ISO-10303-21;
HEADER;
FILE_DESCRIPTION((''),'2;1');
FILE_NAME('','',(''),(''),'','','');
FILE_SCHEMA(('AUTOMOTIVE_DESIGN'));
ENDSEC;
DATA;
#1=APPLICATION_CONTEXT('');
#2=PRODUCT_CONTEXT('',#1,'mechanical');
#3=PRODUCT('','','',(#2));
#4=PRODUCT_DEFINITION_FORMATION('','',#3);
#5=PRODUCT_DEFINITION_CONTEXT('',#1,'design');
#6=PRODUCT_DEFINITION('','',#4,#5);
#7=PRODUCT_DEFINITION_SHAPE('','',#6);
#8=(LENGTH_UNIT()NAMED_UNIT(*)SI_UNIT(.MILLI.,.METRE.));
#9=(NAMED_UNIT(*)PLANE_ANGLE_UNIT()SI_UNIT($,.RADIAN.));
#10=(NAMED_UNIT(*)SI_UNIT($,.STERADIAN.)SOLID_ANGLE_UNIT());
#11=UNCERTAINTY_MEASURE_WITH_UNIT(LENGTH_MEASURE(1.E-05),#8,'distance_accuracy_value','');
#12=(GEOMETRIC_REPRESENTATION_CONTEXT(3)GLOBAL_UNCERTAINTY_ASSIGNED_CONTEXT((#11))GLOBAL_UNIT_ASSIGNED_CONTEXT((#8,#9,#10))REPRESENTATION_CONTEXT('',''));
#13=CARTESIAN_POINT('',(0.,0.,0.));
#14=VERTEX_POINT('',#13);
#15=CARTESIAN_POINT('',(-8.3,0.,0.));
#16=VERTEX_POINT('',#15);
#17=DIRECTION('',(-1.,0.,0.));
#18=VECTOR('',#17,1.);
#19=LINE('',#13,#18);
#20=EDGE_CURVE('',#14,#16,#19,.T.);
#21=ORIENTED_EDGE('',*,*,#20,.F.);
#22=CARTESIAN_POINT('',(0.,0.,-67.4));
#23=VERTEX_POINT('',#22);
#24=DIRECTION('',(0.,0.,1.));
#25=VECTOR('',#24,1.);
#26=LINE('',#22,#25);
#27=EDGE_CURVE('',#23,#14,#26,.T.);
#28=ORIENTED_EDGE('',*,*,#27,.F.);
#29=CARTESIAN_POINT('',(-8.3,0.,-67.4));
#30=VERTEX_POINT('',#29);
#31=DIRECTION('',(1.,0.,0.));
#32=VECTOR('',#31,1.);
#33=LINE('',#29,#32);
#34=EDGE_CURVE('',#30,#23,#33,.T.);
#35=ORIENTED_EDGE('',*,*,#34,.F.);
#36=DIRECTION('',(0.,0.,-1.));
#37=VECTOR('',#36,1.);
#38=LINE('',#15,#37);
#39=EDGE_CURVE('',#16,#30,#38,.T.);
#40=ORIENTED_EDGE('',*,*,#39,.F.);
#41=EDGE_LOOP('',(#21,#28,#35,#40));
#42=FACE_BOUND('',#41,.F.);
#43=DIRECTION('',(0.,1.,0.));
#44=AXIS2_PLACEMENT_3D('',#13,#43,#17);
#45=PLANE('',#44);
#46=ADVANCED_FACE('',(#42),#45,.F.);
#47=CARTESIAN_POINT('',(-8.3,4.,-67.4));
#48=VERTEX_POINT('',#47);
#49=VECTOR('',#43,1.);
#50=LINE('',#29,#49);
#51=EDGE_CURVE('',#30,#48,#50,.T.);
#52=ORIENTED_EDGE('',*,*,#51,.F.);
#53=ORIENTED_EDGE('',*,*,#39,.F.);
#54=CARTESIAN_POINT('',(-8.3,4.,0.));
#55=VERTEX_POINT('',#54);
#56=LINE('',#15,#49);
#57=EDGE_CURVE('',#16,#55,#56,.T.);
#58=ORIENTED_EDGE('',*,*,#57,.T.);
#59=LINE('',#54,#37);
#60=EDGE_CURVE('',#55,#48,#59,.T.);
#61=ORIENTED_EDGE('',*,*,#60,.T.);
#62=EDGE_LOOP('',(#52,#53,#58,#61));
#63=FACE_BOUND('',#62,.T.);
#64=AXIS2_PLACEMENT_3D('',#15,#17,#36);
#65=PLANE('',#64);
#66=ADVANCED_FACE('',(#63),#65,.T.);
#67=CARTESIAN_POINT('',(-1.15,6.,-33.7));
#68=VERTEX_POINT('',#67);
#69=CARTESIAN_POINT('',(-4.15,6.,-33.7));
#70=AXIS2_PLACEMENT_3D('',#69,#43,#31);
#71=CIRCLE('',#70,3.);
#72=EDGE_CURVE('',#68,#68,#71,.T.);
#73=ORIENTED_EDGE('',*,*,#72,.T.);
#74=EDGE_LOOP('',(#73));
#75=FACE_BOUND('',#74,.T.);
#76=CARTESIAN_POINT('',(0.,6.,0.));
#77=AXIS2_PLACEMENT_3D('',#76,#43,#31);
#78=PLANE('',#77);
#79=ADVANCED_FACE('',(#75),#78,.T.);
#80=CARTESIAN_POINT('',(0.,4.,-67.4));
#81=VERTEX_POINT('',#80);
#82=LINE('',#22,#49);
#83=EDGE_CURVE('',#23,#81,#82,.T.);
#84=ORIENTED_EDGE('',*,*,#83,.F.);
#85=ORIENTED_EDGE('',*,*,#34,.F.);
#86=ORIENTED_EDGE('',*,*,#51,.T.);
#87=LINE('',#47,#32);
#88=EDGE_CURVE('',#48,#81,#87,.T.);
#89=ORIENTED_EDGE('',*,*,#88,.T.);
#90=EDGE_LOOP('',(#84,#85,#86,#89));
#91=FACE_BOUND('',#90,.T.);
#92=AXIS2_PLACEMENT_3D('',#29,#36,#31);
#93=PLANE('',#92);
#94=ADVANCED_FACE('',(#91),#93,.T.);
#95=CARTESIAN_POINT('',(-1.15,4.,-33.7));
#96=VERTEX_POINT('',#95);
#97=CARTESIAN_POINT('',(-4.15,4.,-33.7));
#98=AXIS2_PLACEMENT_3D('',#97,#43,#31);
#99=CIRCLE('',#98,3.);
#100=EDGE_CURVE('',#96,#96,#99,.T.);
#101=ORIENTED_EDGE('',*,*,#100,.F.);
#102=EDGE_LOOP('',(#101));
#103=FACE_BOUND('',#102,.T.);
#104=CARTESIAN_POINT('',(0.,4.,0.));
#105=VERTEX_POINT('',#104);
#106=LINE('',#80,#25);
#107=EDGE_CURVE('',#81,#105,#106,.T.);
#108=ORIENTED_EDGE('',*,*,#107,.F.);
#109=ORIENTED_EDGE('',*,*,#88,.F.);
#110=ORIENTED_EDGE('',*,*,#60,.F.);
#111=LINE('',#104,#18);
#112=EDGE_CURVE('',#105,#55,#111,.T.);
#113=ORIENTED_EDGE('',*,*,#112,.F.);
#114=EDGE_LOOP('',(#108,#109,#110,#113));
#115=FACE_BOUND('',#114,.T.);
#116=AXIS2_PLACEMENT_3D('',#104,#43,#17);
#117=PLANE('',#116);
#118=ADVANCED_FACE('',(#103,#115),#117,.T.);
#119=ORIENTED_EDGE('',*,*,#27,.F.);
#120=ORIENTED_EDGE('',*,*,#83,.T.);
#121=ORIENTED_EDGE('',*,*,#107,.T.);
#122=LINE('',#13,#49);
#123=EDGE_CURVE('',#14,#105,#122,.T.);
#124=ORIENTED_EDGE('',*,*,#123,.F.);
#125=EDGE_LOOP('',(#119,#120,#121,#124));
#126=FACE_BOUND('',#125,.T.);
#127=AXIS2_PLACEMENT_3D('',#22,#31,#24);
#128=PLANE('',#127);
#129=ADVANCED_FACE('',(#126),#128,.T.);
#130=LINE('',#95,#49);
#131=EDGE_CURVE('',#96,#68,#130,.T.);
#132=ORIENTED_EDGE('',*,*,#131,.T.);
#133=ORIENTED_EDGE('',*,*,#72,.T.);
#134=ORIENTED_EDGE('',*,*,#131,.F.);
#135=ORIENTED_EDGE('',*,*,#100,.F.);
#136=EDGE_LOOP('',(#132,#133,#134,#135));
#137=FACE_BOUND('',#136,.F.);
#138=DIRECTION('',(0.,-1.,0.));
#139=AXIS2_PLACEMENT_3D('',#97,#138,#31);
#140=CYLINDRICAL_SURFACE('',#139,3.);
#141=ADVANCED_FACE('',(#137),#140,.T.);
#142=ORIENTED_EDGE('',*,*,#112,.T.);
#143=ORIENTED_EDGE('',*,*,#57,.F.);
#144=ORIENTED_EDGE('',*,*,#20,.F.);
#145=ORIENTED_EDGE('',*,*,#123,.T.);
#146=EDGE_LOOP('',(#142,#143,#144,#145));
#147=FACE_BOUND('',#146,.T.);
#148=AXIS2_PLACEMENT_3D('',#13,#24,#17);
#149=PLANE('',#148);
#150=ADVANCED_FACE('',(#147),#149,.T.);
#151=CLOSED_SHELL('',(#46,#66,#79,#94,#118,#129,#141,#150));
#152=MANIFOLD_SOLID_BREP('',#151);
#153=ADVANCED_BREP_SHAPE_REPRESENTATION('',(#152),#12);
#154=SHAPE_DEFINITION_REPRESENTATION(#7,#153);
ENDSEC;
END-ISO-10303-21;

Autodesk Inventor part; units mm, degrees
ref_plane "YZ Plane" through (0, 0, 0) normal (1, 0, 0) x (0, 1, 0)
ref_plane "XZ Plane" through (0, 0, 0) normal (0, 1, 0) x (-1, 0, 0)
ref_plane "XY Plane" through (0, 0, 0) normal (0, 0, 1) x (1, 0, 0)
sketch "Sketch1" plane through (0, 0, 0) normal (0, 1, 0) x (-1, 0, 0)
  line L0 (0, 0) -> (8.3, 0)
  line L1 (8.3, 0) -> (8.3, -67.4)
  line L2 (8.3, -67.4) -> (0, -67.4)
  line L3 (0, -67.4) -> (0, 0)
  dimension "d0" = 8.3
  dimension "d1" = 67.4
extrude "Extrusion1" add sketch "Sketch1" along normal blind 4
sketch "Sketch2" plane through (0, 4, 0) normal (0, 1, 0) x (1, 0, 0)
  line L0 (-8.3, 0) -> (0, 0) construction
  line L1 (0, 0) -> (0, 67.4) construction
  line L2 (0, 67.4) -> (-8.3, 67.4) construction
  line L3 (-8.3, 67.4) -> (-8.3, 0) construction
  circle A0 centre (-4.15, 33.7) radius 3
  dimension "d4" = 6
extrude "Extrusion2" add sketch "Sketch2" along normal blind 2
properties part number "cam_mock"
